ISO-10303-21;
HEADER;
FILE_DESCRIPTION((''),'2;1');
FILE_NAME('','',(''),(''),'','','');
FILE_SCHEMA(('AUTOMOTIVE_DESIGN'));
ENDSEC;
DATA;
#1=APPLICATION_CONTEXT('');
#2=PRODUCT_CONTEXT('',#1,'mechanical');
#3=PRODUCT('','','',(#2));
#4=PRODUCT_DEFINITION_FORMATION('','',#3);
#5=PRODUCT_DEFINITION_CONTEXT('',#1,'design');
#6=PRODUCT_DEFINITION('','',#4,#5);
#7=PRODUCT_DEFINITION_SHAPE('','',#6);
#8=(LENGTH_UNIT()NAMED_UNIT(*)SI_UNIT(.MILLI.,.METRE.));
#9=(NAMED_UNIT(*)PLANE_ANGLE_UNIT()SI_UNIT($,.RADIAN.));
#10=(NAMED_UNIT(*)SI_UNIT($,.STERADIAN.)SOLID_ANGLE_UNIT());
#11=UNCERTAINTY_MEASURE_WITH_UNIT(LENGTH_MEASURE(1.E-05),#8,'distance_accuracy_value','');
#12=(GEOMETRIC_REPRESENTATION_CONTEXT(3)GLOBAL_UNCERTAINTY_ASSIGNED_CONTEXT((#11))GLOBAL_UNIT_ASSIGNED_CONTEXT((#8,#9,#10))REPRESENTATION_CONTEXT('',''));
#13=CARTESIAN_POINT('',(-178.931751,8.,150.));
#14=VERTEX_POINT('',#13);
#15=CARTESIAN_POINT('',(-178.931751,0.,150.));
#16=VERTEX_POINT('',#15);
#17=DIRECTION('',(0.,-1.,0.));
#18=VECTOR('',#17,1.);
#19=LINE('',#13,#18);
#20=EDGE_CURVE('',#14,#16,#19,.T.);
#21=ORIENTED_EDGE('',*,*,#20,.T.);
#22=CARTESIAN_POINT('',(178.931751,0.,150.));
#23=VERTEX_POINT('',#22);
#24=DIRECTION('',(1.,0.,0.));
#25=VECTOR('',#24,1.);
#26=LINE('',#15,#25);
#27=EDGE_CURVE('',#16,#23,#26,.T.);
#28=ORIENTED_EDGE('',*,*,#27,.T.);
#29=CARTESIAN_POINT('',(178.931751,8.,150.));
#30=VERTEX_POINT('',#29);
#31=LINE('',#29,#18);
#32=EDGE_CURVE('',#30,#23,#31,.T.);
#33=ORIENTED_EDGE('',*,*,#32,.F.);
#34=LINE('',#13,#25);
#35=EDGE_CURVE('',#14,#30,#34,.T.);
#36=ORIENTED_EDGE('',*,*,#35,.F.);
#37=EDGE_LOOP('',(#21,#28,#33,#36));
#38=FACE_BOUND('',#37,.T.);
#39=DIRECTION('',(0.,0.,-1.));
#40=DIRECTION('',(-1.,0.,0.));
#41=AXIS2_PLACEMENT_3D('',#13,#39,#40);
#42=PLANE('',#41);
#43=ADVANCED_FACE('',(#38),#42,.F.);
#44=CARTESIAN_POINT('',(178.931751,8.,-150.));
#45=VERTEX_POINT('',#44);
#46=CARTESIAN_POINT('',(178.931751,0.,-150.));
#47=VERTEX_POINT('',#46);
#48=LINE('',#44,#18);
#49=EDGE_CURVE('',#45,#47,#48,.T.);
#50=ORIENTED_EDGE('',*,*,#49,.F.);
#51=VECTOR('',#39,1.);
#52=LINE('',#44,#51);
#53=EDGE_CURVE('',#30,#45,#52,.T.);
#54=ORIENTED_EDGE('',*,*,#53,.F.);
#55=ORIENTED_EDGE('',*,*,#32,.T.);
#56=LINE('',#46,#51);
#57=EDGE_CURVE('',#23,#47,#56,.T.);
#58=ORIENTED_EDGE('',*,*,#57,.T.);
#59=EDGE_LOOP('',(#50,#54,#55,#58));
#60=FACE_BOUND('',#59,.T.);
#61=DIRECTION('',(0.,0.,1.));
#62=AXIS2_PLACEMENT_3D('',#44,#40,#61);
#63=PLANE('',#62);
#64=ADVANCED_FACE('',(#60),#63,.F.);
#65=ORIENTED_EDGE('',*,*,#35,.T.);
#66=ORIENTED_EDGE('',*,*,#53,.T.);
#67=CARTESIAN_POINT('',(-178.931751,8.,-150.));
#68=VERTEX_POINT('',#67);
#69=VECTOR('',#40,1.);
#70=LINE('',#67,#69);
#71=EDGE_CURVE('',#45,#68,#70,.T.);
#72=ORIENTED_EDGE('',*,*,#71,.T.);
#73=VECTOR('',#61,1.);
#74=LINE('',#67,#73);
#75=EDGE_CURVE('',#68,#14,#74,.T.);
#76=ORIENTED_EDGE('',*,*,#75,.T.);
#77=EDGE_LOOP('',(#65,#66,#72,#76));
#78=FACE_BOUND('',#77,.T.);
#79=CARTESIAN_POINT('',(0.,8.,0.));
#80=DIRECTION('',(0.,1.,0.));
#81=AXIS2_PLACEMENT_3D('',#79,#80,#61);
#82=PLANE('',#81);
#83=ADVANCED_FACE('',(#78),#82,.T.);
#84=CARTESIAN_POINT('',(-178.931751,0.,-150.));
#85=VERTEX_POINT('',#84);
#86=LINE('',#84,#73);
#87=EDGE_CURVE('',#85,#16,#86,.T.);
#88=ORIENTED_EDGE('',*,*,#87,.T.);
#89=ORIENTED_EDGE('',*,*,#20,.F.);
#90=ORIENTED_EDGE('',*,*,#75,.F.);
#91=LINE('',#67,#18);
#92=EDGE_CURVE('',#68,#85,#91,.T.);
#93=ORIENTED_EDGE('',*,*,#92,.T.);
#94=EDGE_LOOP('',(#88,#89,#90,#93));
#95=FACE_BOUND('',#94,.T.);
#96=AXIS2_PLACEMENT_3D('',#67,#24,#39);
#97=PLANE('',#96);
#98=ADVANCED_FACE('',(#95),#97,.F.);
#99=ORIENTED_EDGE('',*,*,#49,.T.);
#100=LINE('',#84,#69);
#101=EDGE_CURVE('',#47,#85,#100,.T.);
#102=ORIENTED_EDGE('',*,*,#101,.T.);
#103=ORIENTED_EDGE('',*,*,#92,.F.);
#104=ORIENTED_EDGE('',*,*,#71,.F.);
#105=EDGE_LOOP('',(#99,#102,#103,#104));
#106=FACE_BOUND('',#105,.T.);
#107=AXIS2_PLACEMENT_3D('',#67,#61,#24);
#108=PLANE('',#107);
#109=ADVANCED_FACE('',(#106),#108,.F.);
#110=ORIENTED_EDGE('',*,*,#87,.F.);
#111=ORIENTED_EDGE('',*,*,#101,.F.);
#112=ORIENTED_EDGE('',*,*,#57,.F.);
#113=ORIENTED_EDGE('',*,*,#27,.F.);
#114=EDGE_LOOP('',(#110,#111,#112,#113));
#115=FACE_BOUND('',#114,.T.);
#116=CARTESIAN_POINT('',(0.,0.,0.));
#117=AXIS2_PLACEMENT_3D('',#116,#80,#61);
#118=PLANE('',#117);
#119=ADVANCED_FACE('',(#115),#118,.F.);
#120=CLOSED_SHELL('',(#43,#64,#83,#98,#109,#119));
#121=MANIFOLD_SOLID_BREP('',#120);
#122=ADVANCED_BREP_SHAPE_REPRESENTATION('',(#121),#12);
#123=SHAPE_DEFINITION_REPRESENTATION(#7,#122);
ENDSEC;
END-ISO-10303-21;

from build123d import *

# Parameters (mm, degrees)
SKETCH_1_W      = 357.863501484
SKETCH_1_H      = 300
EXTRUDE_1_DEPTH = 8


with BuildPart() as part:
    # 草图1 → 凸台-拉伸1 (new body)
    with BuildSketch(Plane(origin=(0, 0, 0), x_dir=(1, 0, 0), z_dir=(0, 1, 0))):
        Rectangle(SKETCH_1_W, SKETCH_1_H)
    extrude(amount=EXTRUDE_1_DEPTH)


solid = part.part
